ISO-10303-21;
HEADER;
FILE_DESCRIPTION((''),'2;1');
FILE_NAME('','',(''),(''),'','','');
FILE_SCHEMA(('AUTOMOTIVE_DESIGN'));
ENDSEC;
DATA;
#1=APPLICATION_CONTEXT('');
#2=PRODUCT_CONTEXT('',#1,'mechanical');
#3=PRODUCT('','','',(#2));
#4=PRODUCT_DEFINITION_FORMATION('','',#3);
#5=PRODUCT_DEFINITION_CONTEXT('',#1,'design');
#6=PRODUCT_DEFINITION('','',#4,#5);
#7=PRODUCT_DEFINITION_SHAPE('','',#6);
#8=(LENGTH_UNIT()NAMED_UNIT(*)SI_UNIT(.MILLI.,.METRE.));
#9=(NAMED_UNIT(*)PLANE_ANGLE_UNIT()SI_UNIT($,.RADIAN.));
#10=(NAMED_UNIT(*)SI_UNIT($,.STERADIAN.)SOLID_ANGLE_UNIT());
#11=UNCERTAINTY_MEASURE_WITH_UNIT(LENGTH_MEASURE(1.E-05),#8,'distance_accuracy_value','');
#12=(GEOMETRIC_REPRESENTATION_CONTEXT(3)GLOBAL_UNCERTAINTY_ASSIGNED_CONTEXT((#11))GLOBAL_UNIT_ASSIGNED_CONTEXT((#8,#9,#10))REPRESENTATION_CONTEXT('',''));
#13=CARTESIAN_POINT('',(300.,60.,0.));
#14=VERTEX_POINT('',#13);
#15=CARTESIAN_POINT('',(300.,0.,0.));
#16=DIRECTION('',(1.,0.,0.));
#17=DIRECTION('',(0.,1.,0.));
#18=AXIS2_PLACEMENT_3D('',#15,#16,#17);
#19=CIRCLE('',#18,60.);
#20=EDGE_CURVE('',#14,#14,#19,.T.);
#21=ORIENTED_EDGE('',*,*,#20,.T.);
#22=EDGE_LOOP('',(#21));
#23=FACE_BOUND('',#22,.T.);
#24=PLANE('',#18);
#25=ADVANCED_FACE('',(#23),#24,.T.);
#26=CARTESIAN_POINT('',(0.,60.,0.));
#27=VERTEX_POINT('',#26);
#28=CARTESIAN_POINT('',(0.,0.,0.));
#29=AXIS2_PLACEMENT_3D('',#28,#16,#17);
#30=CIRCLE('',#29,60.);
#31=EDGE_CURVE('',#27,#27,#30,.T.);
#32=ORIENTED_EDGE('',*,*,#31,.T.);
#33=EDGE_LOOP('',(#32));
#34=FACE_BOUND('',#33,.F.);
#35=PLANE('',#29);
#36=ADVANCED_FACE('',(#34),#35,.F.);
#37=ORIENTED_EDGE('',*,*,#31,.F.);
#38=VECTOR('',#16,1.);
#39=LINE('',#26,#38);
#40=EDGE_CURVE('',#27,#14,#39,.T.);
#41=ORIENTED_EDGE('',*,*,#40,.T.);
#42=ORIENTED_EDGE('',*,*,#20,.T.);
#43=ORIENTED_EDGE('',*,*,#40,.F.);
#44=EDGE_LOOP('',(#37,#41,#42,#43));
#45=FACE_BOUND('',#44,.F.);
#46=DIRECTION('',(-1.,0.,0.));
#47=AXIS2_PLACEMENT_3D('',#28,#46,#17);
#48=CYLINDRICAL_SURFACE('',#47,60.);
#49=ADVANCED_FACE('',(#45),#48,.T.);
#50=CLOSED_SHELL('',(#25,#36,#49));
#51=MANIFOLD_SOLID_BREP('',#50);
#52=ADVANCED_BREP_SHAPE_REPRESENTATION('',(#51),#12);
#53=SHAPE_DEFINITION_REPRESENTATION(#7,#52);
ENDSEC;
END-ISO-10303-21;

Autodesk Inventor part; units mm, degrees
ref_plane "YZ Plane" through (0, 0, 0) normal (1, 0, 0) x (0, 1, 0)
ref_plane "XZ Plane" through (0, 0, 0) normal (0, 1, 0) x (-1, 0, 0)
ref_plane "XY Plane" through (0, 0, 0) normal (0, 0, 1) x (1, 0, 0)
sketch "Sketch1" plane through (0, 0, 0) normal (1, 0, 0) x (0, 1, 0)
  circle A0 centre (0, 0) radius 60
  dimension "d0" = 120
extrude "Extrusion1" add sketch "Sketch1" along normal blind 300
sketch "Sketch2" plane through (300, 0, 0) normal (1, 0, 0) x (0, 0, -1)
  point P0 (0, 0)
properties part number "object"
